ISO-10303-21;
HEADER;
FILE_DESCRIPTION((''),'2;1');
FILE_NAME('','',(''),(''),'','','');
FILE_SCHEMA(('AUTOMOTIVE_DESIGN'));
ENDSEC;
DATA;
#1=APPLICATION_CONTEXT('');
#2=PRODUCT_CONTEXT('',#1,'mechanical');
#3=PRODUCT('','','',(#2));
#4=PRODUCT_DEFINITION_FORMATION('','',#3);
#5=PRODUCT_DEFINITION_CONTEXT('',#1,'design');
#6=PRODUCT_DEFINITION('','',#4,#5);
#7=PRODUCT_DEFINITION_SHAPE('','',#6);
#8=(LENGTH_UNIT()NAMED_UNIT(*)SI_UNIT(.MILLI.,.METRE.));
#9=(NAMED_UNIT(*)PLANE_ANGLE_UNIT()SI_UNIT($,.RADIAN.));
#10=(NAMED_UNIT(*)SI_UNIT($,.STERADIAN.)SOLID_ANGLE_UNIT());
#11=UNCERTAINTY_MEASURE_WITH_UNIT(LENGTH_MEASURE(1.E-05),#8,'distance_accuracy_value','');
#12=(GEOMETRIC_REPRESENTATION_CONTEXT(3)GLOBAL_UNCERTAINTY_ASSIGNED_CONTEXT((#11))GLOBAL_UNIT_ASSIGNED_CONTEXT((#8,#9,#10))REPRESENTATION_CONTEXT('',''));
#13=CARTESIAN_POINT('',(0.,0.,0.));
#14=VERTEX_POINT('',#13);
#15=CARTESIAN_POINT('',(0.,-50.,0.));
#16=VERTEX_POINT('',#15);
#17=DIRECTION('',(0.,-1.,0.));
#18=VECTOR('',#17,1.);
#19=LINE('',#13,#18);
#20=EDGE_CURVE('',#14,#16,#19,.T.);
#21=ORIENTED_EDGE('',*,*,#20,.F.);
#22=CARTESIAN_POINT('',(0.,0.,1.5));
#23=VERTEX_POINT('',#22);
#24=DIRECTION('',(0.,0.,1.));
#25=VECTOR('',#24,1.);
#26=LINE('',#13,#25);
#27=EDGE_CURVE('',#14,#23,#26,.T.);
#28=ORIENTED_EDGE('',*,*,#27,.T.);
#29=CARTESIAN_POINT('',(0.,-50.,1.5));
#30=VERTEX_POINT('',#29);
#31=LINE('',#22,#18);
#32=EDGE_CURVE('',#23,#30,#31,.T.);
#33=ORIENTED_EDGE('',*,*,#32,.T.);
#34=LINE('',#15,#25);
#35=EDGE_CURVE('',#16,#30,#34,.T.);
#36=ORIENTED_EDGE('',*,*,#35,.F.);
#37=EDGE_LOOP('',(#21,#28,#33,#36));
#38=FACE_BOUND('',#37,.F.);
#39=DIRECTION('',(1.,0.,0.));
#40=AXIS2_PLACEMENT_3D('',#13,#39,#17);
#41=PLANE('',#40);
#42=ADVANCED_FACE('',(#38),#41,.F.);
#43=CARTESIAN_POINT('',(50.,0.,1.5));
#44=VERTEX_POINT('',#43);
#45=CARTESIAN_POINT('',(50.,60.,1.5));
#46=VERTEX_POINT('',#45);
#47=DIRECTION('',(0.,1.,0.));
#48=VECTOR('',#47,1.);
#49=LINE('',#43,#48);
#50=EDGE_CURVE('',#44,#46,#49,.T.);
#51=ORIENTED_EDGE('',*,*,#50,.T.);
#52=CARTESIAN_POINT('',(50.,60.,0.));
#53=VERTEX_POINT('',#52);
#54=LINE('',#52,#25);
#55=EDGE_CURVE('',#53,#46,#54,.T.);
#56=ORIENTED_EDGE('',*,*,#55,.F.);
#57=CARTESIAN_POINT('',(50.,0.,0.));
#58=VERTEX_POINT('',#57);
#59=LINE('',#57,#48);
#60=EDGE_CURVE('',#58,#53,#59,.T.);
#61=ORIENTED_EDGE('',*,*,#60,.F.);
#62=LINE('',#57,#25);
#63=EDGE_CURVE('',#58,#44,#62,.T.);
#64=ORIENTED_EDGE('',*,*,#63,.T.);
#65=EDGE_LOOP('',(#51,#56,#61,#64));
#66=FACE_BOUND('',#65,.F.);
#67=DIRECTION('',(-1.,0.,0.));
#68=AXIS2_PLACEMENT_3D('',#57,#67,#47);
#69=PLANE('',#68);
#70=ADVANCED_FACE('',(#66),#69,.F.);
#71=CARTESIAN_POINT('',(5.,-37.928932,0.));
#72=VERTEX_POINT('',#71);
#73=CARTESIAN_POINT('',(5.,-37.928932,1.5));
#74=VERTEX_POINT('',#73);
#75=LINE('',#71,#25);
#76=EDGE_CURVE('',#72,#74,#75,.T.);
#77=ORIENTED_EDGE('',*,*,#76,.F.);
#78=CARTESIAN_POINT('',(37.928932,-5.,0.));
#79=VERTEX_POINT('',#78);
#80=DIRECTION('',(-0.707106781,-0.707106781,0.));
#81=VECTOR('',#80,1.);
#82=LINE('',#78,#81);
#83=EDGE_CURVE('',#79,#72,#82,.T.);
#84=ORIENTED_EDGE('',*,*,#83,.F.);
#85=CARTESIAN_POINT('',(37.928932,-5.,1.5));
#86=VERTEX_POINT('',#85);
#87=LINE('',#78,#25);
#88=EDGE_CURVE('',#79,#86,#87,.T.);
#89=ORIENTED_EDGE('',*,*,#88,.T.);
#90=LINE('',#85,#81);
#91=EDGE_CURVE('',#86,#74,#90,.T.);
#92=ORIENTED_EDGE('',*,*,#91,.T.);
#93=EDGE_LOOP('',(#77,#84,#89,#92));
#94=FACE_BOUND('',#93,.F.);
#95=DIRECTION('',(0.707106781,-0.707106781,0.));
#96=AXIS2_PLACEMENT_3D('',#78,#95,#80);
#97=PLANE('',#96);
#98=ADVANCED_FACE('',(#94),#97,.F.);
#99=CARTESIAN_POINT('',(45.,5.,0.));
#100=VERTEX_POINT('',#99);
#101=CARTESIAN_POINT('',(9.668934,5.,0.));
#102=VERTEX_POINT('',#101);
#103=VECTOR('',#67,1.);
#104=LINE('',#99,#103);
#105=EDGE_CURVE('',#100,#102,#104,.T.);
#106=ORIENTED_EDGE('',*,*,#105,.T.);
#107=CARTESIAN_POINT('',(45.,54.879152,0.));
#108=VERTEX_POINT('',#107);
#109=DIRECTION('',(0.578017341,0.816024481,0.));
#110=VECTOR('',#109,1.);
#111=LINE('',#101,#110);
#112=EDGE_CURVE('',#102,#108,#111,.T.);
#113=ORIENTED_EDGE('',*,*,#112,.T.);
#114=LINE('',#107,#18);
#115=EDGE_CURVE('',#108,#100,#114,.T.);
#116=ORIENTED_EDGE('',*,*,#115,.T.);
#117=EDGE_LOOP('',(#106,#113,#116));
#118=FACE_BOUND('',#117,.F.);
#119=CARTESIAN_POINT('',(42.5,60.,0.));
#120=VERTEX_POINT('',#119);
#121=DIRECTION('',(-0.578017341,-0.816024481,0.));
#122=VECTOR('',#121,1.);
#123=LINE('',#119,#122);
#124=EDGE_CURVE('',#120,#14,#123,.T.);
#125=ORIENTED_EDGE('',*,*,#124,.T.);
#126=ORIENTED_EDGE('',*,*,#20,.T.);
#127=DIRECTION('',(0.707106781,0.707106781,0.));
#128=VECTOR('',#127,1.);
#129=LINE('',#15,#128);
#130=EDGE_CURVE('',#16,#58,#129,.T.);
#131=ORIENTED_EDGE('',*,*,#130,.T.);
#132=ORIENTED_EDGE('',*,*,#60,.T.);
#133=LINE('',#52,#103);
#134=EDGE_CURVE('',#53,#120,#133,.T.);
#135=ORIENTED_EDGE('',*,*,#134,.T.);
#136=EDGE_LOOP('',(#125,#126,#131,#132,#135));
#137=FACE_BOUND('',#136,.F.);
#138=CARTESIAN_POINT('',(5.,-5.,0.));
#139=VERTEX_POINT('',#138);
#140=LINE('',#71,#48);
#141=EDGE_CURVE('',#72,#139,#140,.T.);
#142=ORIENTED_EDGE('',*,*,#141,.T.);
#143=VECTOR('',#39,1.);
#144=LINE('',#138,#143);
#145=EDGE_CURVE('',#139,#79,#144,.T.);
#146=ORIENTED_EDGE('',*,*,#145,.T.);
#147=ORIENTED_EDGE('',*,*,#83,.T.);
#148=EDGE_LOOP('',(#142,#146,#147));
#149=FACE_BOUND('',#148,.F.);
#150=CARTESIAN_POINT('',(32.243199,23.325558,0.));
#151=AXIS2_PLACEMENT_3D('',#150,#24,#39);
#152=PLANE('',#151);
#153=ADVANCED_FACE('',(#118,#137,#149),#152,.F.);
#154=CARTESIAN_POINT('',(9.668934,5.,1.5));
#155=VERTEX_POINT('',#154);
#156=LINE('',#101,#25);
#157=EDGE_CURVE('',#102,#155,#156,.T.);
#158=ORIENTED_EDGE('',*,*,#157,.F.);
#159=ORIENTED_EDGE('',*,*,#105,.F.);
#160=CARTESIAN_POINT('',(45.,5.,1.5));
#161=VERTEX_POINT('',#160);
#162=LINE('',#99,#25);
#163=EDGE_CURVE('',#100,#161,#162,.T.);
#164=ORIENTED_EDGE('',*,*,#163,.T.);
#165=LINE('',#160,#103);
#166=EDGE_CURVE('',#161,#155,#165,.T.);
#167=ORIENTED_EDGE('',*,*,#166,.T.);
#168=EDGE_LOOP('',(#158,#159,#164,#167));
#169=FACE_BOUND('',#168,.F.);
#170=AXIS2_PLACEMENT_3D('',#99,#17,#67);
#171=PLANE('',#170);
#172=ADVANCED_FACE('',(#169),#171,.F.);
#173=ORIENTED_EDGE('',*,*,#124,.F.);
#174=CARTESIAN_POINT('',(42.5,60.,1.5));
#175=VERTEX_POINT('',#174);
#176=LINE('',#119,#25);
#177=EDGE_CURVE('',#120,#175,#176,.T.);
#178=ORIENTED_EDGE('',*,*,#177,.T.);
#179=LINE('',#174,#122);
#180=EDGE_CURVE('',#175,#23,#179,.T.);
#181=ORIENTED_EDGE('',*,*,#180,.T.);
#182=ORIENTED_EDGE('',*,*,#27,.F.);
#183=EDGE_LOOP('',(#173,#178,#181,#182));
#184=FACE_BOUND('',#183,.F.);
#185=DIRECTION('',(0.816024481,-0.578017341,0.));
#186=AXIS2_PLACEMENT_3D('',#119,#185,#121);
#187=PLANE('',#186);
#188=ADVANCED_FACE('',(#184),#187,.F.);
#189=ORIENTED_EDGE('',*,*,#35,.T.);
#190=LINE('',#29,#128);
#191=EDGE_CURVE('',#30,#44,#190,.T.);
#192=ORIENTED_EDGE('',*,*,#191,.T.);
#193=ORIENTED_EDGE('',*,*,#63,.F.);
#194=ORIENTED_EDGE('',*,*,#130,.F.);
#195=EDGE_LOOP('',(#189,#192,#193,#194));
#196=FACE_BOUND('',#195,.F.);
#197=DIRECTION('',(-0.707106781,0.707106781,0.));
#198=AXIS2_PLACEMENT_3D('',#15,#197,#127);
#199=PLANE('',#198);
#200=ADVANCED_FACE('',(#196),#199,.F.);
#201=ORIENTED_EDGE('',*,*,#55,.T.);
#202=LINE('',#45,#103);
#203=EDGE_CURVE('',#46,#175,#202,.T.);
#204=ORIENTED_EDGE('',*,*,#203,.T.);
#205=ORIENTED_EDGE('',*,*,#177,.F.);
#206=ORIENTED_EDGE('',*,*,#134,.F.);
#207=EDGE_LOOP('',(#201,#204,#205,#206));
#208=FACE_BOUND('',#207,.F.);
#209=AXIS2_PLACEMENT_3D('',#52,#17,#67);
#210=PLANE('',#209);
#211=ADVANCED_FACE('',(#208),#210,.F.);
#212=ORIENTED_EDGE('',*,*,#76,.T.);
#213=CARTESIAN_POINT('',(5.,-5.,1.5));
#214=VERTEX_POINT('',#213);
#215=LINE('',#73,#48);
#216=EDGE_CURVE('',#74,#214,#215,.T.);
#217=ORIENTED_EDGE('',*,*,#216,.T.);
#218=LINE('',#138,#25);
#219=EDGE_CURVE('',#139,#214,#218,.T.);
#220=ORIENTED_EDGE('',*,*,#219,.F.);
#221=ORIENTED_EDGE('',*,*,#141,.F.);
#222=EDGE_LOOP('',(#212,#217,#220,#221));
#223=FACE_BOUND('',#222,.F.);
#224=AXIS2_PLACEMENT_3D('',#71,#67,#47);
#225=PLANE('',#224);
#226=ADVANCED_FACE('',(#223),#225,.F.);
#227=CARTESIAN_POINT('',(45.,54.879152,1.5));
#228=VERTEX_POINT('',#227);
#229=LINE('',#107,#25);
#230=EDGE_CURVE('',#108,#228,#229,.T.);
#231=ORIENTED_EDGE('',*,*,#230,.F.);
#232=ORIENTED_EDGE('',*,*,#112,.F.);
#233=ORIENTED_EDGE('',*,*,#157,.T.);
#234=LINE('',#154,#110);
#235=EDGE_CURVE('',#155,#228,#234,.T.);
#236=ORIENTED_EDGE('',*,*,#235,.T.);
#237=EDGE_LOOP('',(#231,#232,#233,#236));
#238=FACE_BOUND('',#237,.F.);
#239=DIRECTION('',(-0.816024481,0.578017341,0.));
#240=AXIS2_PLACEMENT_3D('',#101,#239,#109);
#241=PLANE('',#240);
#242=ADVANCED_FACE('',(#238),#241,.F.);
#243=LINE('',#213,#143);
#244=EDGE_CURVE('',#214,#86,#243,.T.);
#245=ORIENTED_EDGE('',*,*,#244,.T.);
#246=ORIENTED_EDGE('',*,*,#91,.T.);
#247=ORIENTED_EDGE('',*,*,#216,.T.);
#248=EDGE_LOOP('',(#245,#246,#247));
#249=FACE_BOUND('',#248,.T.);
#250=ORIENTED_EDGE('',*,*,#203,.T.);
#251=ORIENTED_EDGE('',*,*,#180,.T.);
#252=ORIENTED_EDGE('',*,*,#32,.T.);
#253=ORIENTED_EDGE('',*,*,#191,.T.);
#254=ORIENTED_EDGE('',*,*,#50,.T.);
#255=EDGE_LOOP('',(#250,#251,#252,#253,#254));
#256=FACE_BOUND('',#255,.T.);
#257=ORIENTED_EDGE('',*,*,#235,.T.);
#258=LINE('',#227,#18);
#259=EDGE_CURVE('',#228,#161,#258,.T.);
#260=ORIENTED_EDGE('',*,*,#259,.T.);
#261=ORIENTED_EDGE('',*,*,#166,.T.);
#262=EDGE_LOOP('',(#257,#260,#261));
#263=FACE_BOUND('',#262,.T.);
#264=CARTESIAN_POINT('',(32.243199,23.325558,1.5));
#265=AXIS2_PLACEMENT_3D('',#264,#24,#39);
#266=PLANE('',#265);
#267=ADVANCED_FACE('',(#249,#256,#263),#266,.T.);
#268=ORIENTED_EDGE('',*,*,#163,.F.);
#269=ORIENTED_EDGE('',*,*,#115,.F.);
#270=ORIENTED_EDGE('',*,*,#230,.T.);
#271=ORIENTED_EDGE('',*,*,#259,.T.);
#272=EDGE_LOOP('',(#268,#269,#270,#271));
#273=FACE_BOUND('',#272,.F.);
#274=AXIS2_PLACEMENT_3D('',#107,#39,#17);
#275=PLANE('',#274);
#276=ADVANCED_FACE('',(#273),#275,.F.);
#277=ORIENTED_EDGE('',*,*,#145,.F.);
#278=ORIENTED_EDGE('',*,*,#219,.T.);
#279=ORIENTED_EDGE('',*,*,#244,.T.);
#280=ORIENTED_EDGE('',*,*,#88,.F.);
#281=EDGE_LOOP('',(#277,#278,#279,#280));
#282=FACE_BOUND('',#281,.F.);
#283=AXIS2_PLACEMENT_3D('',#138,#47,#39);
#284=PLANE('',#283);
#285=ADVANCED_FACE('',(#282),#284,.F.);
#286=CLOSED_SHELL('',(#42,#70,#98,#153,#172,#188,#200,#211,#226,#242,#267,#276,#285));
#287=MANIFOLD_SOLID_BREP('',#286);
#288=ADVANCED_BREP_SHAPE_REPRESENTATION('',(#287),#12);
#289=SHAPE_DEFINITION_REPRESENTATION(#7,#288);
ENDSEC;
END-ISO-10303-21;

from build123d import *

# Parameters (mm, degrees)
F1_DEPTH = 1.5


with BuildPart() as f1:
    # F0 (on Top) → F1 (new body)
    with BuildSketch(Plane.XY):
        Polygon((42.5, 60), (0, 0), (50, 0), (50, 60), align=None)
        Polygon((9.668934, 5), (45, 54.879152), (45, 5), align=None, mode=Mode.SUBTRACT)
        Polygon((50, 0), (0, 0), (0, -50), align=None)
        Polygon((5, -37.928932), (5, -5), (37.928932, -5), align=None, mode=Mode.SUBTRACT)
    extrude(amount=F1_DEPTH)


solid = f1.part
